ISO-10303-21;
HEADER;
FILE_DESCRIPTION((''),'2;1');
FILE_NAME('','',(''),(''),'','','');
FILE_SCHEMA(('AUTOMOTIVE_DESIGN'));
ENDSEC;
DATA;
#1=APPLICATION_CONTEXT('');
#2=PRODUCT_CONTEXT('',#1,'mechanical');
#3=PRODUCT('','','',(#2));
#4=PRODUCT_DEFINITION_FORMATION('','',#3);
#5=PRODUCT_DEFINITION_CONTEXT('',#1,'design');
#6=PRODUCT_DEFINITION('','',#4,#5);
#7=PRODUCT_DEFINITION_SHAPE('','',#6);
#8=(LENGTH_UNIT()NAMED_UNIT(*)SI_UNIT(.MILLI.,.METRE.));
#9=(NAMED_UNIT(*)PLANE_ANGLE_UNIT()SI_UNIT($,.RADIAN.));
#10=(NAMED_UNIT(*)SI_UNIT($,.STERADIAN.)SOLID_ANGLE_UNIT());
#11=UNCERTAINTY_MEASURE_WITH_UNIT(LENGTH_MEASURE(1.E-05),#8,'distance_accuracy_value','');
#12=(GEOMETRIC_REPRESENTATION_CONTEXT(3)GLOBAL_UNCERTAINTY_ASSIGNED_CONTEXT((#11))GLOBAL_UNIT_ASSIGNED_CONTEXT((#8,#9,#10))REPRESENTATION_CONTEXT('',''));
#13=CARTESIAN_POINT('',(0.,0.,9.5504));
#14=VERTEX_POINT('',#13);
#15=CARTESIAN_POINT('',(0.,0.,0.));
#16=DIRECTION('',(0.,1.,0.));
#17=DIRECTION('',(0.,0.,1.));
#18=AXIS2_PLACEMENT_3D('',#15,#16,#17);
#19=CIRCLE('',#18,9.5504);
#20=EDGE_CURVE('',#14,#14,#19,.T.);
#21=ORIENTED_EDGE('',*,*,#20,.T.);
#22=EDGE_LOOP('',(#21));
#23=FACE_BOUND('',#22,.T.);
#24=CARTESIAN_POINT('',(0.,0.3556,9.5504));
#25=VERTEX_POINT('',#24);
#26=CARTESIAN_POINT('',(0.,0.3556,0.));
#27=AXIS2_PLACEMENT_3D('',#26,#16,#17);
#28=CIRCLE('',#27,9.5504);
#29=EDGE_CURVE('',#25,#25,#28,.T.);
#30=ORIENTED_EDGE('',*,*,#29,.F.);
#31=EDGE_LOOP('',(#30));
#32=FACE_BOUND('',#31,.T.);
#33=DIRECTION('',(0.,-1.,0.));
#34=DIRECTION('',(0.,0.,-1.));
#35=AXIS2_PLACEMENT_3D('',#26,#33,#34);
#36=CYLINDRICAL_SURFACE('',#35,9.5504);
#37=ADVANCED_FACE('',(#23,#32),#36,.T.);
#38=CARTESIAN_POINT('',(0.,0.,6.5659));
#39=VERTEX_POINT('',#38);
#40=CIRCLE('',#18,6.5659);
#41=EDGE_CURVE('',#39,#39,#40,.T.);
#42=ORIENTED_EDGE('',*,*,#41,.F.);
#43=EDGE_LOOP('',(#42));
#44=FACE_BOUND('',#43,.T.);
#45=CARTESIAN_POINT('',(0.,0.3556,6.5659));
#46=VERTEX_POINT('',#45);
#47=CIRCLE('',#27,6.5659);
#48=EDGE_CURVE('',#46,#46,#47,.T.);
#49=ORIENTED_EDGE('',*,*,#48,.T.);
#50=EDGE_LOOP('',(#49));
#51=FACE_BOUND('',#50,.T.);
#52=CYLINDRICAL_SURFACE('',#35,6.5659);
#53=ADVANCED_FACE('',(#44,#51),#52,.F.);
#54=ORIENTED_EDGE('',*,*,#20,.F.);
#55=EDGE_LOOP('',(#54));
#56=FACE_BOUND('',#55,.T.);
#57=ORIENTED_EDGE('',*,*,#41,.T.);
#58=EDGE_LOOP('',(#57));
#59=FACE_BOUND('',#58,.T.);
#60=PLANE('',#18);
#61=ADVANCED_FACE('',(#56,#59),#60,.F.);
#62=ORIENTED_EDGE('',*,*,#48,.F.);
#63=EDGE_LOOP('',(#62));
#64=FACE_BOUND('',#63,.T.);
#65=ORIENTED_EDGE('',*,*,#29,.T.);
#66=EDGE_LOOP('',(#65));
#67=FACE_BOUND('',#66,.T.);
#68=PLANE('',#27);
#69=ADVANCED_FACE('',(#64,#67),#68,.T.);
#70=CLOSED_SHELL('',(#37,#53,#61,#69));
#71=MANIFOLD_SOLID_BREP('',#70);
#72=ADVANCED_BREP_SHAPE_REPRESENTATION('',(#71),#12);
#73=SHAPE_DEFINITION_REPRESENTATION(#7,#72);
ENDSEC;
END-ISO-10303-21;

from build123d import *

# Parameters (mm, degrees)
SKETCH1_R           = 9.5504
SKETCH1_R_2         = 6.5659
BOSS_EXTRUDE1_DEPTH = 0.3556


with BuildPart() as part:
    # Sketch1 → Boss-Extrude1 (new body)
    with BuildSketch(Plane(origin=(0, 0, 0), x_dir=(1, 0, 0), z_dir=(0, 1, 0))):
        Circle(SKETCH1_R)
        Circle(SKETCH1_R_2, mode=Mode.SUBTRACT)
    extrude(amount=BOSS_EXTRUDE1_DEPTH)


solid = part.part
